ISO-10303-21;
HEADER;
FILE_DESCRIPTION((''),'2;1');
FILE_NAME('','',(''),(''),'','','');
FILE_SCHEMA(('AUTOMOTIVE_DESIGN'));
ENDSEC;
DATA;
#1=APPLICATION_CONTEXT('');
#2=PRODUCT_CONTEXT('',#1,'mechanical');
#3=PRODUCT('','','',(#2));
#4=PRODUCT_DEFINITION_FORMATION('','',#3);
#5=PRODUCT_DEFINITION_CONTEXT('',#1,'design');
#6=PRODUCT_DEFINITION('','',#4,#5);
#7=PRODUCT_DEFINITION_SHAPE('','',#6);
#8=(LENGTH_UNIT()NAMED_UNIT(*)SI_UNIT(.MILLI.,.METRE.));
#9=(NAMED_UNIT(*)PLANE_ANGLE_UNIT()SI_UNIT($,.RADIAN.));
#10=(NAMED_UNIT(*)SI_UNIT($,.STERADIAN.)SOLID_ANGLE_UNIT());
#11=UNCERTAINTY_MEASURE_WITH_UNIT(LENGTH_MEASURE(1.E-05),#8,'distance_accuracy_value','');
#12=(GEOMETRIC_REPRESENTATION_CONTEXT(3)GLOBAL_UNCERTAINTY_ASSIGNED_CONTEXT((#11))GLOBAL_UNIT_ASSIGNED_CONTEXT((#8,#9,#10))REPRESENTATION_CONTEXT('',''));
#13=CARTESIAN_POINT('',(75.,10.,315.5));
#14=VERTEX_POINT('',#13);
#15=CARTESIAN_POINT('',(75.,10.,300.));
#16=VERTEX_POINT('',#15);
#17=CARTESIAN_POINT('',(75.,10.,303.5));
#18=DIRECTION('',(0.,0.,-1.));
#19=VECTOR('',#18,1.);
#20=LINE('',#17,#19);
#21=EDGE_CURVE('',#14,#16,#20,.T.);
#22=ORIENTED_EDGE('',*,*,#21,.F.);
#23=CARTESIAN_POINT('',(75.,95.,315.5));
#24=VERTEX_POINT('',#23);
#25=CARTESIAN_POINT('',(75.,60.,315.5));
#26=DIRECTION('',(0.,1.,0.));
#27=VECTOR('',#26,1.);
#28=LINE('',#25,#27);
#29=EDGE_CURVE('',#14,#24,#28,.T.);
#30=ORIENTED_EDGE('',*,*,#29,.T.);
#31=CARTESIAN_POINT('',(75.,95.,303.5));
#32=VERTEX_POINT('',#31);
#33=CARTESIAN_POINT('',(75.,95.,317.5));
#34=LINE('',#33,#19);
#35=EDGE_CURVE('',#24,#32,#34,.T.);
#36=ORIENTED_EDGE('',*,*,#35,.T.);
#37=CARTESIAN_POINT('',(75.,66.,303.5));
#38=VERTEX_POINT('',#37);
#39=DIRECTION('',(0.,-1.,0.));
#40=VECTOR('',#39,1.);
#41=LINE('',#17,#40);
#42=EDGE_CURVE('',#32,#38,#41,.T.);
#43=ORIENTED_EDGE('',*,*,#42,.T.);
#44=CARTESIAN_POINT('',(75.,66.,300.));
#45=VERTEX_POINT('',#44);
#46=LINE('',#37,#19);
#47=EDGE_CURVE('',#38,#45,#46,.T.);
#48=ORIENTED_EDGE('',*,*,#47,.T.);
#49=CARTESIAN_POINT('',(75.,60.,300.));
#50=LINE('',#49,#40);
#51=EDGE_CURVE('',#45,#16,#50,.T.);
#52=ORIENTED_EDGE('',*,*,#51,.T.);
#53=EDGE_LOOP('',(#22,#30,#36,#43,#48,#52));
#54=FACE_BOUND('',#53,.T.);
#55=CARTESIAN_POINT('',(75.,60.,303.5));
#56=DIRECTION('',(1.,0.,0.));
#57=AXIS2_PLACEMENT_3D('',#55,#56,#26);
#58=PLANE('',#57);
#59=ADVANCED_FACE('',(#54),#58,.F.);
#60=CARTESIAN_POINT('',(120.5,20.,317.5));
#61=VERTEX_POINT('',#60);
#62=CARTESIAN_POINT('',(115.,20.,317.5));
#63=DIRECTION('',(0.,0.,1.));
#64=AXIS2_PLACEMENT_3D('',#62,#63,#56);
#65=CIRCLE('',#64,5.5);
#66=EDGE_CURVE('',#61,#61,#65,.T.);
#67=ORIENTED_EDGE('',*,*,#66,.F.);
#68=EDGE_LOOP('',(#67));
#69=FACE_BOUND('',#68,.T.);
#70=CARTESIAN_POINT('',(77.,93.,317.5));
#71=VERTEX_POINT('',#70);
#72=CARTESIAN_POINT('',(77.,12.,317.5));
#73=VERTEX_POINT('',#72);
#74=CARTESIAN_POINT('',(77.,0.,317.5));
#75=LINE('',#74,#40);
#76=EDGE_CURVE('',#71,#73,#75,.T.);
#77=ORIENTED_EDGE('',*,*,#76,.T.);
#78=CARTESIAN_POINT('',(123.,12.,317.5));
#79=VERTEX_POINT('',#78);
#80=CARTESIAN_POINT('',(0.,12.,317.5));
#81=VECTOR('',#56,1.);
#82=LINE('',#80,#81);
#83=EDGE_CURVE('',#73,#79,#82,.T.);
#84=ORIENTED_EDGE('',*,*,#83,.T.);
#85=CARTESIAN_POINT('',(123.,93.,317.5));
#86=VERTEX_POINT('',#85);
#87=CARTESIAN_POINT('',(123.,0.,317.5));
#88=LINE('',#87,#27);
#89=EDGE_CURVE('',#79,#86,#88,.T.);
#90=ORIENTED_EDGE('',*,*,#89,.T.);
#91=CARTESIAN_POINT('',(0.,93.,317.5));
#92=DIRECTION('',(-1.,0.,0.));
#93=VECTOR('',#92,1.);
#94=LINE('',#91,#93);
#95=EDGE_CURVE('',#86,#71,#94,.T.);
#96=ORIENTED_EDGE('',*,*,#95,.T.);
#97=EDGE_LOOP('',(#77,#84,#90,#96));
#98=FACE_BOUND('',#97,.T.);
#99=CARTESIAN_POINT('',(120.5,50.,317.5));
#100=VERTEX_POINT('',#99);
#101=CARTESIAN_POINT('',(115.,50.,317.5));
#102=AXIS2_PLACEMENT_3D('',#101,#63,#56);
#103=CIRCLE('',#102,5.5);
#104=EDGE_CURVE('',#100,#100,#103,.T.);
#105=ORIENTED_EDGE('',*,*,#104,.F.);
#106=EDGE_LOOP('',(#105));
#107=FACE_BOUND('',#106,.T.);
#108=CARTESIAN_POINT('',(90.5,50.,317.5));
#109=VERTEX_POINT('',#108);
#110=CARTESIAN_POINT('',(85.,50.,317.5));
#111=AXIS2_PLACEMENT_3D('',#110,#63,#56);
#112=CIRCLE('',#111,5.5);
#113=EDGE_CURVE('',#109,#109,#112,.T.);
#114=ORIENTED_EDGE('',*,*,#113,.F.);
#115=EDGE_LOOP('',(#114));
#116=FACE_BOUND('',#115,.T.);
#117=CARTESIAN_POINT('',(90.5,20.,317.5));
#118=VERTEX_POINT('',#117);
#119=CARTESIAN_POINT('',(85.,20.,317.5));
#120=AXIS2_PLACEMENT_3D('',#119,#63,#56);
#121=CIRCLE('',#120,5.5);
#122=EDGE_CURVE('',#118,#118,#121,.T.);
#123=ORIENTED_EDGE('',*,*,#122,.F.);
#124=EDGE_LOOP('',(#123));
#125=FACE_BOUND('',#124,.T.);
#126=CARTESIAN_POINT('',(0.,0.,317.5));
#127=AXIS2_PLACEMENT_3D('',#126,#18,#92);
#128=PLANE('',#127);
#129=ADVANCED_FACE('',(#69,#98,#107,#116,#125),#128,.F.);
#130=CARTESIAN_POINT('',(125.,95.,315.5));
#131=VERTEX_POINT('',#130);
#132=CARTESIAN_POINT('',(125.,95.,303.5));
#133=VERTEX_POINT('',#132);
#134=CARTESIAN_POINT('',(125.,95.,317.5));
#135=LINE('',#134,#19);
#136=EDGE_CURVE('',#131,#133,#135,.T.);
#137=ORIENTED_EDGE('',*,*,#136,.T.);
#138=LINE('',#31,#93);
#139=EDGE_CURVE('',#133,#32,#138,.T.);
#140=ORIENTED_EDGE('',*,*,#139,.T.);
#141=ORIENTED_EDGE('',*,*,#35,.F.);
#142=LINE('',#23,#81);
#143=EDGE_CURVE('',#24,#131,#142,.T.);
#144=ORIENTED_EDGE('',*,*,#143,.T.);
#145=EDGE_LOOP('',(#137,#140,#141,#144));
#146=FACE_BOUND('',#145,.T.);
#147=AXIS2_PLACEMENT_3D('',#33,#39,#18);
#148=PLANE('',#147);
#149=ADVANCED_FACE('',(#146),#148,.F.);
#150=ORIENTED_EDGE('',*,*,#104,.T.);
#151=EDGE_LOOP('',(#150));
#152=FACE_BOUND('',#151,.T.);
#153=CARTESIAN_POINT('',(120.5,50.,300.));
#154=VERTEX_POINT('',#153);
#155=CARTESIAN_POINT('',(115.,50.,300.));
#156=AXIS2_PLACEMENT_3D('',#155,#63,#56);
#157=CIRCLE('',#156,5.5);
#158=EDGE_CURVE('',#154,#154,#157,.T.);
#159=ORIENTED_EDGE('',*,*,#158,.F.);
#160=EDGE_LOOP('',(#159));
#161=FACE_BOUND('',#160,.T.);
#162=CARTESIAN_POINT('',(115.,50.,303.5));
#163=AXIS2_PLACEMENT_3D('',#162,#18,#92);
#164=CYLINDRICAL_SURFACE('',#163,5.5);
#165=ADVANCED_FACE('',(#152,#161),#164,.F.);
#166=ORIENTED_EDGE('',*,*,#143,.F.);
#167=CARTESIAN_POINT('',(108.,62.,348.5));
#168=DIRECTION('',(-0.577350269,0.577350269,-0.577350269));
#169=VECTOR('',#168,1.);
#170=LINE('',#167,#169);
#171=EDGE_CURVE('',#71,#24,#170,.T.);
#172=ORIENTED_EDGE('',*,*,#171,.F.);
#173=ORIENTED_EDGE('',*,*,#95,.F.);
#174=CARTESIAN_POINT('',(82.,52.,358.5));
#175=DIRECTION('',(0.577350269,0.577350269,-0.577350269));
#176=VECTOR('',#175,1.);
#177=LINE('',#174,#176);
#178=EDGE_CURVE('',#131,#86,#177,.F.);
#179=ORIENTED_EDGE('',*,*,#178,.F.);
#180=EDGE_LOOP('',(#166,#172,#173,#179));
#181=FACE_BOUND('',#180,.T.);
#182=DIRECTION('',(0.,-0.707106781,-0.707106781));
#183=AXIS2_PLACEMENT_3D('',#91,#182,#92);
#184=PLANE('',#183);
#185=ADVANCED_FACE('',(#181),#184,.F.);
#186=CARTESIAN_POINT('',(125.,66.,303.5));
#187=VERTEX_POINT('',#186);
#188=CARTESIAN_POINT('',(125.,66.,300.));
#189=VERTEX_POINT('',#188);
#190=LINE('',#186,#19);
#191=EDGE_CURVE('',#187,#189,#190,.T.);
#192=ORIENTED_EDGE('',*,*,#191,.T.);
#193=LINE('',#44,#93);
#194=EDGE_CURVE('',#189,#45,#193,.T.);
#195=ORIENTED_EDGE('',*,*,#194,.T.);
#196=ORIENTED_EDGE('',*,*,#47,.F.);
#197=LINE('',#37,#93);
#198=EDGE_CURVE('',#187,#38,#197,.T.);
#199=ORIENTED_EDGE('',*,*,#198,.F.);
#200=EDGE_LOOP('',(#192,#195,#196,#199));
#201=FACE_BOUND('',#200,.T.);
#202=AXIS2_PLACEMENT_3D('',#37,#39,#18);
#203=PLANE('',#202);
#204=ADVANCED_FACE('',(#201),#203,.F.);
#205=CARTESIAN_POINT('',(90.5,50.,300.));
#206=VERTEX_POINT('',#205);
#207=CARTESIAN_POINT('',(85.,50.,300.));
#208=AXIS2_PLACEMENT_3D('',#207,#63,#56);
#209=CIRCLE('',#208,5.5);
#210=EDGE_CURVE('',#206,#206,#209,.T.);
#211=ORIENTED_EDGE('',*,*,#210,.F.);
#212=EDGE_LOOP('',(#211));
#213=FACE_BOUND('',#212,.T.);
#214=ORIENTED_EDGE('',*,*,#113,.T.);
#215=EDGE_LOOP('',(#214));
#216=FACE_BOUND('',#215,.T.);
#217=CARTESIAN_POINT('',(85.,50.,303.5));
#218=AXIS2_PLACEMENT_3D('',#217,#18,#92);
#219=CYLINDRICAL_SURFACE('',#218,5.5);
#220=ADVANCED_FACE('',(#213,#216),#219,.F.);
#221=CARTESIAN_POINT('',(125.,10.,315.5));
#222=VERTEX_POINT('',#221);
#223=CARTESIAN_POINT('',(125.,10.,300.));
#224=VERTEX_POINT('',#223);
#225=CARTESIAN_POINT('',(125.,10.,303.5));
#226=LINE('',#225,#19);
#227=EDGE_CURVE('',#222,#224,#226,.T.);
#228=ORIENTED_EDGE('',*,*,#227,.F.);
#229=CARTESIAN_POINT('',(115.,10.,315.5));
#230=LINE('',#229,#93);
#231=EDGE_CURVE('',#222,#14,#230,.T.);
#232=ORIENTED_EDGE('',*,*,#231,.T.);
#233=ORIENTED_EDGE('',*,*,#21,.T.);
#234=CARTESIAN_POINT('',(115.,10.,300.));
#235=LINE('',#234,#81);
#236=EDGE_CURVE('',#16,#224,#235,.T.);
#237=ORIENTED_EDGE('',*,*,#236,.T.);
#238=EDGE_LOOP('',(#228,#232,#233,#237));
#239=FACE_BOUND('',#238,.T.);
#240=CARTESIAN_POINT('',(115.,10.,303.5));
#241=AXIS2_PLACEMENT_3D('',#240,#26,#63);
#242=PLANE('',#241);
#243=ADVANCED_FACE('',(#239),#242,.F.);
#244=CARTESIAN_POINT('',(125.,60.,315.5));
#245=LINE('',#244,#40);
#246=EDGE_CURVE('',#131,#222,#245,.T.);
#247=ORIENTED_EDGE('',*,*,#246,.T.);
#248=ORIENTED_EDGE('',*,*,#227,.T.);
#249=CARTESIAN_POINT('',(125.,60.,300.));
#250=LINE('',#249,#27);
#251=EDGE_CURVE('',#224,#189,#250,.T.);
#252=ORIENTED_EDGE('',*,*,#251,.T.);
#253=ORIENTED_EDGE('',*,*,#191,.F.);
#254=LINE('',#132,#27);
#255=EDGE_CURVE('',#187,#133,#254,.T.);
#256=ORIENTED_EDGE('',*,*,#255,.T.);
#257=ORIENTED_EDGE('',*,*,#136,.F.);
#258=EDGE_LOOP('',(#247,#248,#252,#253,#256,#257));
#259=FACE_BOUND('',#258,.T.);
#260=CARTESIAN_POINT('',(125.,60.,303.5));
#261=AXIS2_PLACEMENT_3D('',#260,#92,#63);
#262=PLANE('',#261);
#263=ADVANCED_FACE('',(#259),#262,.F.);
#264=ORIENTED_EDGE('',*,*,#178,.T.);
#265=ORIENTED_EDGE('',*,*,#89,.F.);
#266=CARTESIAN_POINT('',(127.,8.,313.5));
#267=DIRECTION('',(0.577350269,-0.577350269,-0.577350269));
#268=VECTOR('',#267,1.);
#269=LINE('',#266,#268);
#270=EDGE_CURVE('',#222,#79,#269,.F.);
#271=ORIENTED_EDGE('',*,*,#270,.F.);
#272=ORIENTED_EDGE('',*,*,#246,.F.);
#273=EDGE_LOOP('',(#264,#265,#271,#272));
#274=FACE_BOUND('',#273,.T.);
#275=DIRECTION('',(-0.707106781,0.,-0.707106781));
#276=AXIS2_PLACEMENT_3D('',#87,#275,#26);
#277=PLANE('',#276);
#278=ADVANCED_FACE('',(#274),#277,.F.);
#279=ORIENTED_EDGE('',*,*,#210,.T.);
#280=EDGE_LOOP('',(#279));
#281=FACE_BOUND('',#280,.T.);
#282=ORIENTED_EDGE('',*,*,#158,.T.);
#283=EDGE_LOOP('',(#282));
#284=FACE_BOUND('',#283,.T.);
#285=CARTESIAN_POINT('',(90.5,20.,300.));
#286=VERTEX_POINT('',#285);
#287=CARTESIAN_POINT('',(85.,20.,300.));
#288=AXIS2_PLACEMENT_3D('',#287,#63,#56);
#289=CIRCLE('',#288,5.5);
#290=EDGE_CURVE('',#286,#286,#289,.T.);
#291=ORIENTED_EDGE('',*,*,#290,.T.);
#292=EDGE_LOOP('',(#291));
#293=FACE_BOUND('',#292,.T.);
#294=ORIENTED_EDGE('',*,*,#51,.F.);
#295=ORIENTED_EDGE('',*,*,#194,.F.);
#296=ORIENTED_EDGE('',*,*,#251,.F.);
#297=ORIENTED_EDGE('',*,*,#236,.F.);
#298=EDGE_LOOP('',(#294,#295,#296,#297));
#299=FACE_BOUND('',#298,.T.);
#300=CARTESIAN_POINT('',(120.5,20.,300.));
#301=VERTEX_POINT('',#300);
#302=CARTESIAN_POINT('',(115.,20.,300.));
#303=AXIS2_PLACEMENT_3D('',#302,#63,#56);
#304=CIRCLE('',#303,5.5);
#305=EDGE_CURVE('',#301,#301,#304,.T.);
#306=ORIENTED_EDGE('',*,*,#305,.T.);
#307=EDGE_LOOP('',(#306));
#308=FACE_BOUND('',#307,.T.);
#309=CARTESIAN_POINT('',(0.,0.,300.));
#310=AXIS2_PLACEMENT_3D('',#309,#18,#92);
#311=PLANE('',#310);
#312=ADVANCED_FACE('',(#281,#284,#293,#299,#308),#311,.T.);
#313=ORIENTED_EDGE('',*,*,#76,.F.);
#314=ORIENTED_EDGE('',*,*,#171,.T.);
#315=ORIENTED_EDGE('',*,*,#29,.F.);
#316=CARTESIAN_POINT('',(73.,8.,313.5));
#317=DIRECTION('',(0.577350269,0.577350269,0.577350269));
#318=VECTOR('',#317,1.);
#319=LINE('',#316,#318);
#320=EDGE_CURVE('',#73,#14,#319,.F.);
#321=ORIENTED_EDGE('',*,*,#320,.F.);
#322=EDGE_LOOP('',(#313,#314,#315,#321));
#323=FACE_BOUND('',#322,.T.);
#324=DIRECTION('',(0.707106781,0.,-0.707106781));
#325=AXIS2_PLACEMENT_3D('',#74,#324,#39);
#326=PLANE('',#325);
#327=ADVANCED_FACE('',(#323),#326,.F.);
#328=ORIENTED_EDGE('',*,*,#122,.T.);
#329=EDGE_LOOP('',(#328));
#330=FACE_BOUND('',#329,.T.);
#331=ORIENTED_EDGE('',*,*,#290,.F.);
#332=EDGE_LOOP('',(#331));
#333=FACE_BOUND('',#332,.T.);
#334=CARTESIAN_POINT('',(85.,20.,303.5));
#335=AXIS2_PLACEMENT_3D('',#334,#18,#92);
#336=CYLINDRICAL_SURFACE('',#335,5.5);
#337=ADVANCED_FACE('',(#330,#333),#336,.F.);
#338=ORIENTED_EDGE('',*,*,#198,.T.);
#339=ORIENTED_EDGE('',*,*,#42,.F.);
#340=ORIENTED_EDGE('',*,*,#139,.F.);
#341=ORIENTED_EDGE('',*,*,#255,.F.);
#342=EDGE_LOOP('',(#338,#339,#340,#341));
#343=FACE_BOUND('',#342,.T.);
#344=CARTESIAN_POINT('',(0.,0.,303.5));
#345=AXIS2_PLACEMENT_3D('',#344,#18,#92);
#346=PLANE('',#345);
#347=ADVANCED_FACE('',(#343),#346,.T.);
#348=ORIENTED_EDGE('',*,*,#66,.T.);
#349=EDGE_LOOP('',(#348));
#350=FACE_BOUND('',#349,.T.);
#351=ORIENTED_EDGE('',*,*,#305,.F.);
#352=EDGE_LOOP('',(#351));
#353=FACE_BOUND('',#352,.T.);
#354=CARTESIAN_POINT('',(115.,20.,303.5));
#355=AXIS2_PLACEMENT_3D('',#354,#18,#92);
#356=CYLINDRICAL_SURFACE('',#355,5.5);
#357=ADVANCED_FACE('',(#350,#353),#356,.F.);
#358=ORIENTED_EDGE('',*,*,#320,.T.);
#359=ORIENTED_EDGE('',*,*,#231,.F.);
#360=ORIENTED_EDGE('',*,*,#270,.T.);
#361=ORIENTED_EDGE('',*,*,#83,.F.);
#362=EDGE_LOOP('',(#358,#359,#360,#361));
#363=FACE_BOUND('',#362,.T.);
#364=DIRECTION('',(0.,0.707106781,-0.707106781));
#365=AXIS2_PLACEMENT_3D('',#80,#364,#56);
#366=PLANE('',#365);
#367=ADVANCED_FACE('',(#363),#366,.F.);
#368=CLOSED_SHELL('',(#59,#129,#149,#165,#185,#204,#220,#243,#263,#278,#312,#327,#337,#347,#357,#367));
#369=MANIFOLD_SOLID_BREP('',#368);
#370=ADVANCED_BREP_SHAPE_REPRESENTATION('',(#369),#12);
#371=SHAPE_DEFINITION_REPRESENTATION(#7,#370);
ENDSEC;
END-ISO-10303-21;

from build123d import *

# Parameters (mm, degrees)
SKETCH1_R           = 5.5
BOSS_EXTRUDE1_DEPTH = 3.5
SKETCH2_R           = 5.5
BOSS_EXTRUDE2_DEPTH = 14
CHAMFER1_SIZE       = 2


with BuildPart() as part:
    # Sketch1 → Boss-Extrude1 (new body)
    with BuildSketch(Plane.XY.offset(300)):
        Polygon((75, 66), (125, 66), (125, 60), (125, 50), (125, 10), (115, 10), (85, 10), (75, 10), (75, 50), (75, 60), align=None)
        with Locations((85, 50)):
            Circle(SKETCH1_R, mode=Mode.SUBTRACT)
        with Locations((115, 50)):
            Circle(SKETCH1_R, mode=Mode.SUBTRACT)
        with Locations((85, 20)):
            Circle(SKETCH1_R, mode=Mode.SUBTRACT)
        with Locations((115, 20)):
            Circle(SKETCH1_R, mode=Mode.SUBTRACT)
    extrude(amount=BOSS_EXTRUDE1_DEPTH)

    # Sketch2 → Boss-Extrude2 (add)
    with BuildSketch(Plane.XY.offset(303.5)):
        Polygon((75, 10), (75, 85), (75, 95), (125, 95), (125, 85), (125, 10), align=None)
        with Locations((85, 20)):
            Circle(SKETCH2_R, mode=Mode.SUBTRACT)
        with Locations((115, 20)):
            Circle(SKETCH2_R, mode=Mode.SUBTRACT)
        with Locations((115, 50)):
            Circle(SKETCH2_R, mode=Mode.SUBTRACT)
        with Locations((85, 50)):
            Circle(SKETCH2_R, mode=Mode.SUBTRACT)
    extrude(amount=BOSS_EXTRUDE2_DEPTH)

    # Chamfer1
    chamfer1_edges = [part.edges().sort_by_distance(p)[0] for p in [
        (100, 10, 317.5),
        (125, 52.5, 317.5),
        (100, 95, 317.5),
        (75, 52.5, 317.5),
    ]]
    chamfer(chamfer1_edges, length=CHAMFER1_SIZE)


solid = part.part
